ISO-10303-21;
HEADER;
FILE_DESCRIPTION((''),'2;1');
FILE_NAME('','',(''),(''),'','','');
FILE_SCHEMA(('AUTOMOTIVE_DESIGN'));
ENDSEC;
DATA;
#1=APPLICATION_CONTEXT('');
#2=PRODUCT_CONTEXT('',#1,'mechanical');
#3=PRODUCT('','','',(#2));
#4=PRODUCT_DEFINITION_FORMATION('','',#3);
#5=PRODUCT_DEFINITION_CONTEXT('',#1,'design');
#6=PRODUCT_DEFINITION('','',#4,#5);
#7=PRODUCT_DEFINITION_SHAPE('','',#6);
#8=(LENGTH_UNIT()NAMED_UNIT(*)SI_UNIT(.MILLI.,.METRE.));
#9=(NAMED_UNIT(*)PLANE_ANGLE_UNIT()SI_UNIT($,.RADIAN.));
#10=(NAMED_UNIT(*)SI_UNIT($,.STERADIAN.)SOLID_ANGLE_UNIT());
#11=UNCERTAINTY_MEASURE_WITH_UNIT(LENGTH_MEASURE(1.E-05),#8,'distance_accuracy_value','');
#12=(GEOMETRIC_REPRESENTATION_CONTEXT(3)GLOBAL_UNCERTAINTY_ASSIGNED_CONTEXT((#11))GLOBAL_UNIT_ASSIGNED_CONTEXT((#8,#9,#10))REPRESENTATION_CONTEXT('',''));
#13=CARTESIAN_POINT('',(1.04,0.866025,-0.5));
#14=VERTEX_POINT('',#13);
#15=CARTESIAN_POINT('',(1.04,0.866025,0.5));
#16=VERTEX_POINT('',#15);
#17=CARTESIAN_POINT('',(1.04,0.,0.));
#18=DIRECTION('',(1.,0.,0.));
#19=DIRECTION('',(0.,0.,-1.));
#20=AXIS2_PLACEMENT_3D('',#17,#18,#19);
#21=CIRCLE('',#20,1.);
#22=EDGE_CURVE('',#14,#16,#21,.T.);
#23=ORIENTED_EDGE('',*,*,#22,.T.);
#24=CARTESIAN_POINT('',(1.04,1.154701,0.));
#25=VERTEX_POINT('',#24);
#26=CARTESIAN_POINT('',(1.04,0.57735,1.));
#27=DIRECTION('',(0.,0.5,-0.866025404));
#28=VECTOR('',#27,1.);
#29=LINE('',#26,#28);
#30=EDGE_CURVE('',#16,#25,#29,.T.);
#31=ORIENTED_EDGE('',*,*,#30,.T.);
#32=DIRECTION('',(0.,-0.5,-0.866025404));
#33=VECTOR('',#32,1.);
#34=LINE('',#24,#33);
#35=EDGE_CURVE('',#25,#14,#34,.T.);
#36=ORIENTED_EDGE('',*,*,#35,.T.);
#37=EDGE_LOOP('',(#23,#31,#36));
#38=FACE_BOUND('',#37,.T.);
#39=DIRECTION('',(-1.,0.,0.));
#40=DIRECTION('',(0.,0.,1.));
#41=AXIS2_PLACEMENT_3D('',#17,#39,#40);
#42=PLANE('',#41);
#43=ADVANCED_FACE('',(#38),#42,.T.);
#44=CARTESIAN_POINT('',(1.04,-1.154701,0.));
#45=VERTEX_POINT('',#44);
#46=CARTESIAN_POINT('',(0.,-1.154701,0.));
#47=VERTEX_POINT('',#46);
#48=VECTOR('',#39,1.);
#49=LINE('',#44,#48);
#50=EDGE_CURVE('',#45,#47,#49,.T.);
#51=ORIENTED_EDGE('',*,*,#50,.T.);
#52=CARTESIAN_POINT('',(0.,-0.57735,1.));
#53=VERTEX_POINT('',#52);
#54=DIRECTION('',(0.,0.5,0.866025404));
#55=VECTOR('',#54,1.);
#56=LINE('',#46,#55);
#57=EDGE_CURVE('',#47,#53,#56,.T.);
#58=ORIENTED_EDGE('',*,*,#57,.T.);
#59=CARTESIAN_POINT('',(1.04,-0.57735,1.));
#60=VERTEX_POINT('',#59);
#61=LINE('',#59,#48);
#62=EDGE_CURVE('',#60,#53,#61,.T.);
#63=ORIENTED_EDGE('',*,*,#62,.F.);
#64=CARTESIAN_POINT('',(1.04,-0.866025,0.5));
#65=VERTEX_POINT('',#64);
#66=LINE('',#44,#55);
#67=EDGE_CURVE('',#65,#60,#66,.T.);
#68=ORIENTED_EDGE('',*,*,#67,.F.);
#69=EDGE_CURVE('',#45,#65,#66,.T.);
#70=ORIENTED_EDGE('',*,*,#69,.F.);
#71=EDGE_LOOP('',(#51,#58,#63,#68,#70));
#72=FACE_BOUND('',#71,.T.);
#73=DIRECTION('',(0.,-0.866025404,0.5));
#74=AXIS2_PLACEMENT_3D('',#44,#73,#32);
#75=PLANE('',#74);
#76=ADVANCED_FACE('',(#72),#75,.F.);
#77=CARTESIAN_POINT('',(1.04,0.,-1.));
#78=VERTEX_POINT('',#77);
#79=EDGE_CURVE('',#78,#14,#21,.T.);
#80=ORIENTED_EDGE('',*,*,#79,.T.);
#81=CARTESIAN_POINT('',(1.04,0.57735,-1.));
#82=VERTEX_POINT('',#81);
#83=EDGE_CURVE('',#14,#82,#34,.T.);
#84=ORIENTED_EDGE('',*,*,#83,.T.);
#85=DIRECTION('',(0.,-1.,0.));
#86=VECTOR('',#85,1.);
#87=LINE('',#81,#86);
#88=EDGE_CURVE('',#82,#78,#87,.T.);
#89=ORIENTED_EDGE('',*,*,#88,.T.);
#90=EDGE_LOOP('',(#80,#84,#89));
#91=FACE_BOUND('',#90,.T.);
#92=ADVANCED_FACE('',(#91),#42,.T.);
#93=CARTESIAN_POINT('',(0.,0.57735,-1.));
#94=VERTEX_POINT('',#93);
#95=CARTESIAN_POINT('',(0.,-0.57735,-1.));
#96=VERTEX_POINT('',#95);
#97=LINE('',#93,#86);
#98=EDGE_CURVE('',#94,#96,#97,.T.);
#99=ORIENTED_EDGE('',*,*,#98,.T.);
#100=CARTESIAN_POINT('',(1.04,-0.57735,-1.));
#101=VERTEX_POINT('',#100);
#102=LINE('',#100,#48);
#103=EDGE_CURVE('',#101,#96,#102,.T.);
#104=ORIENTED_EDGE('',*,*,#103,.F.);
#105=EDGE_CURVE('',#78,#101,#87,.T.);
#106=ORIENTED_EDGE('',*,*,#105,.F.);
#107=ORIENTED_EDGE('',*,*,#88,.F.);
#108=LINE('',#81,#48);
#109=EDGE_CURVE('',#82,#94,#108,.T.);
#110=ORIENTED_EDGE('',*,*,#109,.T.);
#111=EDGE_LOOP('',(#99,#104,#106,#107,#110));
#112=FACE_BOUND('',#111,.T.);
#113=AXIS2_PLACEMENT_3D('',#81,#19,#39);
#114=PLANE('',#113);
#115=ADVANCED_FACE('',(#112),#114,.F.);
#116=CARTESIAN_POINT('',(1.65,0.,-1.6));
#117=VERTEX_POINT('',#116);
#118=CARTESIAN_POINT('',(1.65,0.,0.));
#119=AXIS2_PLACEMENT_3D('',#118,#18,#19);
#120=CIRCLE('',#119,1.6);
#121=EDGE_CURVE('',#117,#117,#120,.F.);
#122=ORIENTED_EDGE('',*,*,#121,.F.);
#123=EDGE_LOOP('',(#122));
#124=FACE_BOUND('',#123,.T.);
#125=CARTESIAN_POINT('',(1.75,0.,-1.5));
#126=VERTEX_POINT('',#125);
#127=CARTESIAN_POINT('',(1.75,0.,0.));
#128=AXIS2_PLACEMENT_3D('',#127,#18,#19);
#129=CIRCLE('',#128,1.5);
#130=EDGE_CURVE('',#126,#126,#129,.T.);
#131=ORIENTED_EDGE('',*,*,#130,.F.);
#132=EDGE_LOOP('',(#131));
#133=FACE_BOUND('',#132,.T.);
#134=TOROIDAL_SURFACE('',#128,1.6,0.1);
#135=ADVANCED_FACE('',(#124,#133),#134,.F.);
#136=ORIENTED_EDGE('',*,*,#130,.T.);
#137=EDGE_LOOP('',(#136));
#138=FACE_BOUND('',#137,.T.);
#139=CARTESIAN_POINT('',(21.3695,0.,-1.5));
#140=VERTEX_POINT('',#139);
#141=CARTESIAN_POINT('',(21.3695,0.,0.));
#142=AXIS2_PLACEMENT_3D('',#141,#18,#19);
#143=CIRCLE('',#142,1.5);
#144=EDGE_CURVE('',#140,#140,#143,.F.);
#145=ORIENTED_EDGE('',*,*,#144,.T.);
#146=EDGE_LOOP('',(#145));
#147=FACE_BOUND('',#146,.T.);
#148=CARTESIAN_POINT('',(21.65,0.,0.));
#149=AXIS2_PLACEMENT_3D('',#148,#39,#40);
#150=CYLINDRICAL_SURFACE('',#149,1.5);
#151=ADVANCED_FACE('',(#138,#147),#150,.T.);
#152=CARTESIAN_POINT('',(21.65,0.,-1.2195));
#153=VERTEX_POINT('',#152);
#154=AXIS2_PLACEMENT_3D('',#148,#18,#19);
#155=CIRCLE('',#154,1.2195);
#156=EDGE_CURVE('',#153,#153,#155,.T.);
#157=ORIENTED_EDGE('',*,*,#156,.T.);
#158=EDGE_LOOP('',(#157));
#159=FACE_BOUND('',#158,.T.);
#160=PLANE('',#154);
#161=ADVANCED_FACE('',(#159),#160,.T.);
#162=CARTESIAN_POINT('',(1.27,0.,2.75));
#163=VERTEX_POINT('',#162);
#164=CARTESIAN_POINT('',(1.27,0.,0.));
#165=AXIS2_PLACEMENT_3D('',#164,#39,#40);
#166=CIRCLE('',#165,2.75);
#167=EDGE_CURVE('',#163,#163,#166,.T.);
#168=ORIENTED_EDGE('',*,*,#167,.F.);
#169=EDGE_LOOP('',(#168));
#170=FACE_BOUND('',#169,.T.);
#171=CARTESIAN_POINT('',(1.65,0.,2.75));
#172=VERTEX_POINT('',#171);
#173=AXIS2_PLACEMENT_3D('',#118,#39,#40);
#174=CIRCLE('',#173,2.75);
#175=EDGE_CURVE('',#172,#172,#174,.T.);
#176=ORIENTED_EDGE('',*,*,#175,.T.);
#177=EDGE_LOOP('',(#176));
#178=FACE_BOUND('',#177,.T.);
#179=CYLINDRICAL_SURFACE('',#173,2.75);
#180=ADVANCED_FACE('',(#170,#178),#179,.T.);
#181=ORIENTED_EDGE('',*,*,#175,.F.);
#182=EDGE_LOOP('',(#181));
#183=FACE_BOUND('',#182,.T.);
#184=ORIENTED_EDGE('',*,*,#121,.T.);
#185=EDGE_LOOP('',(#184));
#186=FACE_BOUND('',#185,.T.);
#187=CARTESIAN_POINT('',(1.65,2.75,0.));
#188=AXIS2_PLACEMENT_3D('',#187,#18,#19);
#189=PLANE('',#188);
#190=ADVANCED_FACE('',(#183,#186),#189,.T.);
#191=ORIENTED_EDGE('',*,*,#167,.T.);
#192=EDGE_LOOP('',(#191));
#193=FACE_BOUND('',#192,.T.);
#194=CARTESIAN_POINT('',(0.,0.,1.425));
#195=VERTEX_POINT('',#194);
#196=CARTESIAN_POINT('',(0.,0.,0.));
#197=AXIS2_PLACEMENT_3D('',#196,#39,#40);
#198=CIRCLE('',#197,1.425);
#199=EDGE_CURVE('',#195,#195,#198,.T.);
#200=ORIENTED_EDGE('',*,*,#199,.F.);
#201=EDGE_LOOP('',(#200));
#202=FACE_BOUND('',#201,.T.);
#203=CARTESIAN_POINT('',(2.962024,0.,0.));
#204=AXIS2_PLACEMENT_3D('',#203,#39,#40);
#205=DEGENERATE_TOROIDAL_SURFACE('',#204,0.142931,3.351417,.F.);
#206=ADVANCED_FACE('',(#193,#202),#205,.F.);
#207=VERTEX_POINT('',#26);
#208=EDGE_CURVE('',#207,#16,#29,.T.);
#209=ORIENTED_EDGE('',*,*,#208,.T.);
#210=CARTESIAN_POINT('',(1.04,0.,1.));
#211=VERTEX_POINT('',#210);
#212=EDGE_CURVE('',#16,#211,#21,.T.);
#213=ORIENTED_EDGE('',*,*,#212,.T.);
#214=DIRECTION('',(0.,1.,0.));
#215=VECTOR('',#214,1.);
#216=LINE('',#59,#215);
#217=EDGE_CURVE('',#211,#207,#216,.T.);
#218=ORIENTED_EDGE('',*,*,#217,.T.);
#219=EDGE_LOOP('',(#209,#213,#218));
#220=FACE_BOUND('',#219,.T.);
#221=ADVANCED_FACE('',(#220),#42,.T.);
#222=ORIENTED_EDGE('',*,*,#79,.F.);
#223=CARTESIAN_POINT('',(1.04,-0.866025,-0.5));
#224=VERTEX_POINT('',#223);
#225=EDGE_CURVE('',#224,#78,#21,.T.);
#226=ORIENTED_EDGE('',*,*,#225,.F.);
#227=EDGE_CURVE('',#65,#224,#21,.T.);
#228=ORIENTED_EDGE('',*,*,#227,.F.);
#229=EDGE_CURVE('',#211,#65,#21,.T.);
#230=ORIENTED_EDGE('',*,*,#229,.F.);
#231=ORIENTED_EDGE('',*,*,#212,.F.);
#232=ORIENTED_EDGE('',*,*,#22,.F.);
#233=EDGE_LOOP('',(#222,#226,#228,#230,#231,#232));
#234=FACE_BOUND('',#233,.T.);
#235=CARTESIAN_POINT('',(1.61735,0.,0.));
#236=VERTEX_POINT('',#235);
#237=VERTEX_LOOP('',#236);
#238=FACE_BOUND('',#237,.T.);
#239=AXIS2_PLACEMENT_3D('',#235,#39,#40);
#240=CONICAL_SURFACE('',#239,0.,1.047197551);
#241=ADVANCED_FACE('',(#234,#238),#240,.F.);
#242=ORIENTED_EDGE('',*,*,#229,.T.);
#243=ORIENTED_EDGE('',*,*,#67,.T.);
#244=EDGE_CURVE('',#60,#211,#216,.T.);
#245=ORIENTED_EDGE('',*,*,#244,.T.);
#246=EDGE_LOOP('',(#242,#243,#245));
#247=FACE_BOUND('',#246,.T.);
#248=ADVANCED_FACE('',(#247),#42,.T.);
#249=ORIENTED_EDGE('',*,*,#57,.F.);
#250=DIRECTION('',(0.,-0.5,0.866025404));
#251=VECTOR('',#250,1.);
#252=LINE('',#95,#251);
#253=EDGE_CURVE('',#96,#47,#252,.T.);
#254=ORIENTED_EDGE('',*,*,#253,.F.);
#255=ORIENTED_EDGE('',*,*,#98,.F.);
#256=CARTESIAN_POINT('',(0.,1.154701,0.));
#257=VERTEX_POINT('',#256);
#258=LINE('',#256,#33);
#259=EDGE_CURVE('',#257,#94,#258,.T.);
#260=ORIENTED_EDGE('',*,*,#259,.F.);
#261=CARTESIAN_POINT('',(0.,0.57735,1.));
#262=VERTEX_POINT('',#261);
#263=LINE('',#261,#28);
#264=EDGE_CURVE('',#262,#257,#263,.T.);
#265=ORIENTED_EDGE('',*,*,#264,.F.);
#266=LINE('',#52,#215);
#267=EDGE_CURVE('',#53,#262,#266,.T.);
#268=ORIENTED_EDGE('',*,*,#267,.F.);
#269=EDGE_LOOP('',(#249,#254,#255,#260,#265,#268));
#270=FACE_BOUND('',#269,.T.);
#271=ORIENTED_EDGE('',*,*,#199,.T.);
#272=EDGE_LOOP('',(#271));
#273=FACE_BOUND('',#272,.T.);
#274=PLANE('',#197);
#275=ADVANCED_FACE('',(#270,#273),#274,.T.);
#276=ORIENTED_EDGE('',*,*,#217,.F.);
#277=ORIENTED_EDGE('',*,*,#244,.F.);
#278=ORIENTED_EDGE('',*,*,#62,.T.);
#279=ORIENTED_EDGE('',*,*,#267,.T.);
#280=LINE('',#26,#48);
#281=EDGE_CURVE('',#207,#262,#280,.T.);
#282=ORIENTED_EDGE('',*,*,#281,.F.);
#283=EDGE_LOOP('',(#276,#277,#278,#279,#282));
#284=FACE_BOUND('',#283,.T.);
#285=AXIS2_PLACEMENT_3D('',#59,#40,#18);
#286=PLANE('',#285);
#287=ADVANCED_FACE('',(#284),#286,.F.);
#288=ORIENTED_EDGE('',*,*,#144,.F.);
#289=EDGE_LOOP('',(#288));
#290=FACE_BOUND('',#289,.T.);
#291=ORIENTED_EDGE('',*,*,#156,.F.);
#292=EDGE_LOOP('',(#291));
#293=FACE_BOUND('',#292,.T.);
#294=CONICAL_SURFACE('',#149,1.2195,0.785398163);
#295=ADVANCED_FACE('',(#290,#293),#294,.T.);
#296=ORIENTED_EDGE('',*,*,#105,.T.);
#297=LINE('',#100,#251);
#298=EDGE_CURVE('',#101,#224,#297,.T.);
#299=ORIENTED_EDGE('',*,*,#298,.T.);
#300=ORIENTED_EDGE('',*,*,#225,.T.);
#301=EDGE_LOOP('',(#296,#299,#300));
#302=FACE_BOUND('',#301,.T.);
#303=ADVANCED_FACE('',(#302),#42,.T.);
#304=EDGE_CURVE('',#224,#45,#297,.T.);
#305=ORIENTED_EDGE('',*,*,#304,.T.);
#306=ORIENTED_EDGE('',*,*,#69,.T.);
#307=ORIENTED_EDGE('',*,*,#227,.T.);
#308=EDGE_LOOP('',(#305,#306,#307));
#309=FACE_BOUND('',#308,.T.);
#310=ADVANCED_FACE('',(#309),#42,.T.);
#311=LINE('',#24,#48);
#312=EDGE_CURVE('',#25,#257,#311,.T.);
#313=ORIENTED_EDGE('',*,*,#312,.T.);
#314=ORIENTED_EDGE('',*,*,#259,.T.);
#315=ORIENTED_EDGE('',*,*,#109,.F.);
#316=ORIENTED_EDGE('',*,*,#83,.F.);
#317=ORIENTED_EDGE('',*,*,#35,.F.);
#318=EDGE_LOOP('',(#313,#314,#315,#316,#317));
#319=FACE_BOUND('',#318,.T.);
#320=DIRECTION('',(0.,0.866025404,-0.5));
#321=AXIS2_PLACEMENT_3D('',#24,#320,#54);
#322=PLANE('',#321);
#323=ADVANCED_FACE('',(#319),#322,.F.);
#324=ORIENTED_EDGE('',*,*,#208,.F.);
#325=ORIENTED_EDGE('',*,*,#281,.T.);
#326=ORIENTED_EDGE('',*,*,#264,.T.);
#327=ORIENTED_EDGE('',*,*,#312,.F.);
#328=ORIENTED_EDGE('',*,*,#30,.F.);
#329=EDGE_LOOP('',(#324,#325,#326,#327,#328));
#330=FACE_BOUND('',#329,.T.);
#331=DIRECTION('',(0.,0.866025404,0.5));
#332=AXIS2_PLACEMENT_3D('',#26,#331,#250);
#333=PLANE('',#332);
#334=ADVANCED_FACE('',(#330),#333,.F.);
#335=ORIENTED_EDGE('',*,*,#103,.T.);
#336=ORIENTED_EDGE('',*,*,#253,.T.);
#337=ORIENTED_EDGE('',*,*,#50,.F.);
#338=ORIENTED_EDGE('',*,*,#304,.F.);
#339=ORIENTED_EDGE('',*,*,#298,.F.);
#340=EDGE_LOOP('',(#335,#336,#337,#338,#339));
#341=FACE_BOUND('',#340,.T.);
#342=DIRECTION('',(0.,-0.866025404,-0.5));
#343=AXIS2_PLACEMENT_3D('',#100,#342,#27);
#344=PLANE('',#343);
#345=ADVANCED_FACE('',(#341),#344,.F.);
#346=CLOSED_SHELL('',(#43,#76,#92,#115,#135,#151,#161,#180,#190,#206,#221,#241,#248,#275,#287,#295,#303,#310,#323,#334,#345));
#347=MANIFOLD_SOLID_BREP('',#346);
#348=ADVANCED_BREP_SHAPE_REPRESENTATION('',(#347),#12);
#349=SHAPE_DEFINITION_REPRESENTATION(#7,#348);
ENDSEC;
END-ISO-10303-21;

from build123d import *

# Parameters (mm, degrees)
CUT_EXTRUDE1_DEPTH        = 1.04
SKETCH4_R                 = 1.5
LARGO_Y_ANCHO_ROSCA_DEPTH = 20
FILLET1_R                 = 0.1
CHAMFER1_SIZE             = 0.2805


with BuildPart() as part:
    # Sketch1 → Revolve1 (revolve)
    with BuildSketch(Plane(origin=(0, 0, 0), x_dir=(-1, 0, 0), z_dir=(0, 0, -1)), mode=Mode.PRIVATE) as revolve1_sk:
        with BuildLine():
            Line((-1.65, 2.75), (-1.65, 0))
            Line((-1.65, 0), (0, 0))
            Line((0, 0), (0, 1.425))
            ThreePointArc((0, 1.425), (-0.542530893, 2.176130767), (-1.27, 2.75))
            Line((-1.27, 2.75), (-1.65, 2.75))
        make_face()
    revolve(revolve1_sk.sketch.rotate(Axis((1.65, 0, 0), (-1, 0, 0)), 270), axis=Axis((1.65, 0, 0), (-1, 0, 0)))

    # Sketch2 → Cut-Extrude1 (cut)
    with BuildSketch(Plane.ZY):
        Polygon((-1, 0.577350269), (-1, -0.577350269), (0, -1.154700538), (1, -0.577350269), (1, 0.577350269), (0, 1.154700538), align=None)
    extrude(amount=-CUT_EXTRUDE1_DEPTH, mode=Mode.SUBTRACT)

    # Sketch3 → Cut-Revolve1 (revolve, cut)
    with BuildSketch(Plane.XY, mode=Mode.PRIVATE) as cut_revolve1_sk:
        Polygon((1.04, 1), (1.04, 0), (1.617350269, 0), align=None)
    revolve(cut_revolve1_sk.sketch.rotate(Axis((1.04, 0, 0), (1, 0, 0)), 90), axis=Axis((1.04, 0, 0), (1, 0, 0)), mode=Mode.SUBTRACT)

    # Sketch4 → Largo y Ancho rosca (add)
    with BuildSketch(Plane(origin=(1.65, 0, 0), x_dir=(0, 0, -1), z_dir=(1, 0, 0))):
        Circle(SKETCH4_R)
    extrude(amount=LARGO_Y_ANCHO_ROSCA_DEPTH)

    # Fillet1
    fillet1_edges = [part.edges().sort_by_distance(p)[0] for p in [
        (1.65, 0, 1.5),
    ]]
    fillet(fillet1_edges, radius=FILLET1_R)

    # Chamfer1
    chamfer1_edges = [part.edges().sort_by_distance(p)[0] for p in [
        (21.65, 0, 1.5),
    ]]
    chamfer(chamfer1_edges, length=CHAMFER1_SIZE)


solid = part.part
